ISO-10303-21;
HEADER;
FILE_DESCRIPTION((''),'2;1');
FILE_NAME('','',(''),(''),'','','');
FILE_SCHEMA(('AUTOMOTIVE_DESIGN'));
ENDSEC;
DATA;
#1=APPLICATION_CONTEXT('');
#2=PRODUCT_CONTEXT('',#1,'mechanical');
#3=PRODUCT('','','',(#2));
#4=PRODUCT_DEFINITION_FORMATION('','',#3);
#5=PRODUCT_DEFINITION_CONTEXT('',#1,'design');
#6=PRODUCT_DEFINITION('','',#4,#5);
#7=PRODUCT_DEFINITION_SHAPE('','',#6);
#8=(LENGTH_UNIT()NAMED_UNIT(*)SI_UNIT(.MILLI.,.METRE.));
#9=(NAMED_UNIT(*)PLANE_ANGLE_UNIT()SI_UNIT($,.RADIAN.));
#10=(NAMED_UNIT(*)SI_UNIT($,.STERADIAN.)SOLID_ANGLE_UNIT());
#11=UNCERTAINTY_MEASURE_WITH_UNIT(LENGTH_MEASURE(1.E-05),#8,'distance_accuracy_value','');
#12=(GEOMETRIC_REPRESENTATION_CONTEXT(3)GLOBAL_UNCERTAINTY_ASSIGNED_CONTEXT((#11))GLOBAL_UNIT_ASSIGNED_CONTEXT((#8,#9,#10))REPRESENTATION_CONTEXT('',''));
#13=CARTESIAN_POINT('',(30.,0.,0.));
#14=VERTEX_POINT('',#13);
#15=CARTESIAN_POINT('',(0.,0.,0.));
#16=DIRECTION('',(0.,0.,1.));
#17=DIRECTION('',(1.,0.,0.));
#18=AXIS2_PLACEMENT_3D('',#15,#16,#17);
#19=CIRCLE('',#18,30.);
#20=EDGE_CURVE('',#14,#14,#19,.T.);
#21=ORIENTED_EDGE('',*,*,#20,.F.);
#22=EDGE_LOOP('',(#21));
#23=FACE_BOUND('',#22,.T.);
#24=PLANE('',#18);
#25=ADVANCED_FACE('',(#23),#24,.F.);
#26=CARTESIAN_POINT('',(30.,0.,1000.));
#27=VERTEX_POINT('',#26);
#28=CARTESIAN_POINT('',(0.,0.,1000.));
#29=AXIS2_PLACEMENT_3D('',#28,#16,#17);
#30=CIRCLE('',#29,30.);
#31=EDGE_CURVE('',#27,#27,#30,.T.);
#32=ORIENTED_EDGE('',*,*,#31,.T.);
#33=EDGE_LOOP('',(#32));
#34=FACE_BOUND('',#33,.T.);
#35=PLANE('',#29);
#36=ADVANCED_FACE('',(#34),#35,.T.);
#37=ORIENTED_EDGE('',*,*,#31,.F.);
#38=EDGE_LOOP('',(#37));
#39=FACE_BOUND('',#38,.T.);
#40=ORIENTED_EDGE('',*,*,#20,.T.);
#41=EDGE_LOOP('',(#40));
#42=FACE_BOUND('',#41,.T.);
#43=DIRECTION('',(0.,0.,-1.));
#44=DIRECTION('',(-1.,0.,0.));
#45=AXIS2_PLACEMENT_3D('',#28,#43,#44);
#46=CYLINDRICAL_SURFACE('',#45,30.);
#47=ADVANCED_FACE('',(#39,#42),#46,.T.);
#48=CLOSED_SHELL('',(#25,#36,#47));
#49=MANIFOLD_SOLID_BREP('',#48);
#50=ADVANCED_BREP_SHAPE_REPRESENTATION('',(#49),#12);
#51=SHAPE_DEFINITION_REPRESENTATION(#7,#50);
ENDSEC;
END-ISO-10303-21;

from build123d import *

# Parameters (mm, degrees)
ESQUISSE1_R        = 30
BOSS_EXTRU_2_DEPTH = 1000


with BuildPart() as part:
    # Esquisse1 → Boss.-Extru.2 (new body)
    with BuildSketch(Plane.XY):
        Circle(ESQUISSE1_R)
    extrude(amount=BOSS_EXTRU_2_DEPTH)


solid = part.part
